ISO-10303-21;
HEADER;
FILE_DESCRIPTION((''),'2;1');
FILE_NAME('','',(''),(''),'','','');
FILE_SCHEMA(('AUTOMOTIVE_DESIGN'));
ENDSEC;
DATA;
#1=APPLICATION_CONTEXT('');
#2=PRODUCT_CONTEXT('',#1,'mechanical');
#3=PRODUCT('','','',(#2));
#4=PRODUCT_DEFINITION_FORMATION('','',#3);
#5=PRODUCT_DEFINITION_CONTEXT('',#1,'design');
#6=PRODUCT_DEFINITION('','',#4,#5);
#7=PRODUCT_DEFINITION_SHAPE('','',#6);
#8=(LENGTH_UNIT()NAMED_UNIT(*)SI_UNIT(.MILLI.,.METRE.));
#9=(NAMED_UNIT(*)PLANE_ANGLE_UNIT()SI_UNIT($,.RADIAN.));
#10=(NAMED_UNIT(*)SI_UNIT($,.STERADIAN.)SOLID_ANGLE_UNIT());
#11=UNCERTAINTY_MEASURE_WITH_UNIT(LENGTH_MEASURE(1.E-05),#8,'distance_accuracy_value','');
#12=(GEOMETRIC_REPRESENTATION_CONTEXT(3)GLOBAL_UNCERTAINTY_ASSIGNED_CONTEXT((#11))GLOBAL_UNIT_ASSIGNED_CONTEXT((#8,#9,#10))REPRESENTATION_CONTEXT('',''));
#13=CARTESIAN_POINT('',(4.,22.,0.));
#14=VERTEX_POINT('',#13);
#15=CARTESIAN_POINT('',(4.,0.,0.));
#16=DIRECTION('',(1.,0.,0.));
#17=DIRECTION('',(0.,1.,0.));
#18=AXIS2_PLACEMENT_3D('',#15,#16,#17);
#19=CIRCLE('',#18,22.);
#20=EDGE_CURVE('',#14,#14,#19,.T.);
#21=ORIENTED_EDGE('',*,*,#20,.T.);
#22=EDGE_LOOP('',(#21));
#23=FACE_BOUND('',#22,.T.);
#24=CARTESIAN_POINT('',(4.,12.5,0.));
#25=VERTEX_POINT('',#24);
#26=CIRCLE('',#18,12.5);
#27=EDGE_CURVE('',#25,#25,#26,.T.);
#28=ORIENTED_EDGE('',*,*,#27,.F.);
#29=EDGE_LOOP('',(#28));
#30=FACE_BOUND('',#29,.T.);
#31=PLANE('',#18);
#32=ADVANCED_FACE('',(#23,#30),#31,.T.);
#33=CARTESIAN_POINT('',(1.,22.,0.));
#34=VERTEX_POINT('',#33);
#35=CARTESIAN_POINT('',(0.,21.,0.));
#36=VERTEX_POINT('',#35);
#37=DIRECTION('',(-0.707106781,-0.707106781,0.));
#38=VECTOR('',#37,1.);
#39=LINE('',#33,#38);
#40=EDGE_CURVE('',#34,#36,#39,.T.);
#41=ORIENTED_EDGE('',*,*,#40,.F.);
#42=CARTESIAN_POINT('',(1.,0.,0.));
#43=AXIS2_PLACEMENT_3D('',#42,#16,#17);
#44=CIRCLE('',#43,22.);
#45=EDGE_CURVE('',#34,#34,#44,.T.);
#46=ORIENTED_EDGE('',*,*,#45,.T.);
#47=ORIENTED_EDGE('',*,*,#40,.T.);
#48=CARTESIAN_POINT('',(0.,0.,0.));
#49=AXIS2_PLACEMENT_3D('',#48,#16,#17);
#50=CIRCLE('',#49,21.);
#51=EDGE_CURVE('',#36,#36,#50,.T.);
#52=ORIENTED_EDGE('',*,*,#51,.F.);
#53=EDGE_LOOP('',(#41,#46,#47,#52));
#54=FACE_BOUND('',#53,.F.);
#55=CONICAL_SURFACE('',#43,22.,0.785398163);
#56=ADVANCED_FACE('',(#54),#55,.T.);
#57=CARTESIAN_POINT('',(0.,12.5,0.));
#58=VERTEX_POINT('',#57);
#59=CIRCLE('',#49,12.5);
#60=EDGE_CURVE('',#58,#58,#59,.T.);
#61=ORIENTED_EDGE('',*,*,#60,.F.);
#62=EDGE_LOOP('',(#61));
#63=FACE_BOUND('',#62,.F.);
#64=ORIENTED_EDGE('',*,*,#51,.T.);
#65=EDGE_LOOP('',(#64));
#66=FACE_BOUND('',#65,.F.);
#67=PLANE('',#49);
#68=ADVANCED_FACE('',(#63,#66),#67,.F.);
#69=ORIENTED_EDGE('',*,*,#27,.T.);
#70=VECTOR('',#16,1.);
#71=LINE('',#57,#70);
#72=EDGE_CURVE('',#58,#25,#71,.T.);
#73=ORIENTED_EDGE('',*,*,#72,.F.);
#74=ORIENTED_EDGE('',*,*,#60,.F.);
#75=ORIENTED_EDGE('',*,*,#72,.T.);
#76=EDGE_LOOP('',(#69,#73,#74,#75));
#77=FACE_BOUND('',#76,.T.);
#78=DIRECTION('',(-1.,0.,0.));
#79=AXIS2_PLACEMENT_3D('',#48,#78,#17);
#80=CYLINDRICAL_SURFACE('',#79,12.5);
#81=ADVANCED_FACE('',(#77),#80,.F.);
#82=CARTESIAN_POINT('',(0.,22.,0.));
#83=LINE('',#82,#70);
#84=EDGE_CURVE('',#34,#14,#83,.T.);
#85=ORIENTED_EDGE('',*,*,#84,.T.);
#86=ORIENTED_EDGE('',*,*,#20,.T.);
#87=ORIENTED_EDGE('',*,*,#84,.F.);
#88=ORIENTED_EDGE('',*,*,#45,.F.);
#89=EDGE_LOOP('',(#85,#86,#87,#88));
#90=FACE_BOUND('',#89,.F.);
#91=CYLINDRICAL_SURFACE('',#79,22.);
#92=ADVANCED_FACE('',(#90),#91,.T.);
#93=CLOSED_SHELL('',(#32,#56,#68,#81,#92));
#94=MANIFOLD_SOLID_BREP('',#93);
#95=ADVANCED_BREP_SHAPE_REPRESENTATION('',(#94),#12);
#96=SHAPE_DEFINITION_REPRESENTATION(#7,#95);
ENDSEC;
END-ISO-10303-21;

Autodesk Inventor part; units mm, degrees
ref_plane "YZ Plane" through (0, 0, 0) normal (1, 0, 0) x (0, 1, 0)
ref_plane "XZ Plane" through (0, 0, 0) normal (0, 1, 0) x (-1, 0, 0)
sketch "Sketch" plane through (0, 0, 0) normal (1, 0, 0) x (0, 1, 0)
  circle A0 centre (0, 0) radius 22
  circle A1 centre (0, 0) radius 12.5
  dimension "d0" = 25
  dimension "d1" = 44
extrude "Body" add sketch "Sketch" along normal blind 4
chamfer "Chamfer" distance 1 angle 45 1 edges at (0, -22, 0) measured on face at (2.6667, 21.9287, -1.7703)
ref_plane "Work Plane1" through (0, 0, 0) normal (0, 1, 0) x (1, 0, 0)
equation "\"d0\" = SD1"
equation "\"d1\" = SD2"
equation "\"d2\" = SD"
equation "\"d4\" = PHH"
equation "\"d8\" = PHH"
equation "\"SD1\" = 25"
equation "\"SD2\" = 44"
equation "\"SD\" = 4"
equation "\"PHH\" = 1"
equation "\"FAWI\" = 45deg"
equation "\"NND\" = 24"
properties part number "PWTR-0063" material "Steel, Mild"
